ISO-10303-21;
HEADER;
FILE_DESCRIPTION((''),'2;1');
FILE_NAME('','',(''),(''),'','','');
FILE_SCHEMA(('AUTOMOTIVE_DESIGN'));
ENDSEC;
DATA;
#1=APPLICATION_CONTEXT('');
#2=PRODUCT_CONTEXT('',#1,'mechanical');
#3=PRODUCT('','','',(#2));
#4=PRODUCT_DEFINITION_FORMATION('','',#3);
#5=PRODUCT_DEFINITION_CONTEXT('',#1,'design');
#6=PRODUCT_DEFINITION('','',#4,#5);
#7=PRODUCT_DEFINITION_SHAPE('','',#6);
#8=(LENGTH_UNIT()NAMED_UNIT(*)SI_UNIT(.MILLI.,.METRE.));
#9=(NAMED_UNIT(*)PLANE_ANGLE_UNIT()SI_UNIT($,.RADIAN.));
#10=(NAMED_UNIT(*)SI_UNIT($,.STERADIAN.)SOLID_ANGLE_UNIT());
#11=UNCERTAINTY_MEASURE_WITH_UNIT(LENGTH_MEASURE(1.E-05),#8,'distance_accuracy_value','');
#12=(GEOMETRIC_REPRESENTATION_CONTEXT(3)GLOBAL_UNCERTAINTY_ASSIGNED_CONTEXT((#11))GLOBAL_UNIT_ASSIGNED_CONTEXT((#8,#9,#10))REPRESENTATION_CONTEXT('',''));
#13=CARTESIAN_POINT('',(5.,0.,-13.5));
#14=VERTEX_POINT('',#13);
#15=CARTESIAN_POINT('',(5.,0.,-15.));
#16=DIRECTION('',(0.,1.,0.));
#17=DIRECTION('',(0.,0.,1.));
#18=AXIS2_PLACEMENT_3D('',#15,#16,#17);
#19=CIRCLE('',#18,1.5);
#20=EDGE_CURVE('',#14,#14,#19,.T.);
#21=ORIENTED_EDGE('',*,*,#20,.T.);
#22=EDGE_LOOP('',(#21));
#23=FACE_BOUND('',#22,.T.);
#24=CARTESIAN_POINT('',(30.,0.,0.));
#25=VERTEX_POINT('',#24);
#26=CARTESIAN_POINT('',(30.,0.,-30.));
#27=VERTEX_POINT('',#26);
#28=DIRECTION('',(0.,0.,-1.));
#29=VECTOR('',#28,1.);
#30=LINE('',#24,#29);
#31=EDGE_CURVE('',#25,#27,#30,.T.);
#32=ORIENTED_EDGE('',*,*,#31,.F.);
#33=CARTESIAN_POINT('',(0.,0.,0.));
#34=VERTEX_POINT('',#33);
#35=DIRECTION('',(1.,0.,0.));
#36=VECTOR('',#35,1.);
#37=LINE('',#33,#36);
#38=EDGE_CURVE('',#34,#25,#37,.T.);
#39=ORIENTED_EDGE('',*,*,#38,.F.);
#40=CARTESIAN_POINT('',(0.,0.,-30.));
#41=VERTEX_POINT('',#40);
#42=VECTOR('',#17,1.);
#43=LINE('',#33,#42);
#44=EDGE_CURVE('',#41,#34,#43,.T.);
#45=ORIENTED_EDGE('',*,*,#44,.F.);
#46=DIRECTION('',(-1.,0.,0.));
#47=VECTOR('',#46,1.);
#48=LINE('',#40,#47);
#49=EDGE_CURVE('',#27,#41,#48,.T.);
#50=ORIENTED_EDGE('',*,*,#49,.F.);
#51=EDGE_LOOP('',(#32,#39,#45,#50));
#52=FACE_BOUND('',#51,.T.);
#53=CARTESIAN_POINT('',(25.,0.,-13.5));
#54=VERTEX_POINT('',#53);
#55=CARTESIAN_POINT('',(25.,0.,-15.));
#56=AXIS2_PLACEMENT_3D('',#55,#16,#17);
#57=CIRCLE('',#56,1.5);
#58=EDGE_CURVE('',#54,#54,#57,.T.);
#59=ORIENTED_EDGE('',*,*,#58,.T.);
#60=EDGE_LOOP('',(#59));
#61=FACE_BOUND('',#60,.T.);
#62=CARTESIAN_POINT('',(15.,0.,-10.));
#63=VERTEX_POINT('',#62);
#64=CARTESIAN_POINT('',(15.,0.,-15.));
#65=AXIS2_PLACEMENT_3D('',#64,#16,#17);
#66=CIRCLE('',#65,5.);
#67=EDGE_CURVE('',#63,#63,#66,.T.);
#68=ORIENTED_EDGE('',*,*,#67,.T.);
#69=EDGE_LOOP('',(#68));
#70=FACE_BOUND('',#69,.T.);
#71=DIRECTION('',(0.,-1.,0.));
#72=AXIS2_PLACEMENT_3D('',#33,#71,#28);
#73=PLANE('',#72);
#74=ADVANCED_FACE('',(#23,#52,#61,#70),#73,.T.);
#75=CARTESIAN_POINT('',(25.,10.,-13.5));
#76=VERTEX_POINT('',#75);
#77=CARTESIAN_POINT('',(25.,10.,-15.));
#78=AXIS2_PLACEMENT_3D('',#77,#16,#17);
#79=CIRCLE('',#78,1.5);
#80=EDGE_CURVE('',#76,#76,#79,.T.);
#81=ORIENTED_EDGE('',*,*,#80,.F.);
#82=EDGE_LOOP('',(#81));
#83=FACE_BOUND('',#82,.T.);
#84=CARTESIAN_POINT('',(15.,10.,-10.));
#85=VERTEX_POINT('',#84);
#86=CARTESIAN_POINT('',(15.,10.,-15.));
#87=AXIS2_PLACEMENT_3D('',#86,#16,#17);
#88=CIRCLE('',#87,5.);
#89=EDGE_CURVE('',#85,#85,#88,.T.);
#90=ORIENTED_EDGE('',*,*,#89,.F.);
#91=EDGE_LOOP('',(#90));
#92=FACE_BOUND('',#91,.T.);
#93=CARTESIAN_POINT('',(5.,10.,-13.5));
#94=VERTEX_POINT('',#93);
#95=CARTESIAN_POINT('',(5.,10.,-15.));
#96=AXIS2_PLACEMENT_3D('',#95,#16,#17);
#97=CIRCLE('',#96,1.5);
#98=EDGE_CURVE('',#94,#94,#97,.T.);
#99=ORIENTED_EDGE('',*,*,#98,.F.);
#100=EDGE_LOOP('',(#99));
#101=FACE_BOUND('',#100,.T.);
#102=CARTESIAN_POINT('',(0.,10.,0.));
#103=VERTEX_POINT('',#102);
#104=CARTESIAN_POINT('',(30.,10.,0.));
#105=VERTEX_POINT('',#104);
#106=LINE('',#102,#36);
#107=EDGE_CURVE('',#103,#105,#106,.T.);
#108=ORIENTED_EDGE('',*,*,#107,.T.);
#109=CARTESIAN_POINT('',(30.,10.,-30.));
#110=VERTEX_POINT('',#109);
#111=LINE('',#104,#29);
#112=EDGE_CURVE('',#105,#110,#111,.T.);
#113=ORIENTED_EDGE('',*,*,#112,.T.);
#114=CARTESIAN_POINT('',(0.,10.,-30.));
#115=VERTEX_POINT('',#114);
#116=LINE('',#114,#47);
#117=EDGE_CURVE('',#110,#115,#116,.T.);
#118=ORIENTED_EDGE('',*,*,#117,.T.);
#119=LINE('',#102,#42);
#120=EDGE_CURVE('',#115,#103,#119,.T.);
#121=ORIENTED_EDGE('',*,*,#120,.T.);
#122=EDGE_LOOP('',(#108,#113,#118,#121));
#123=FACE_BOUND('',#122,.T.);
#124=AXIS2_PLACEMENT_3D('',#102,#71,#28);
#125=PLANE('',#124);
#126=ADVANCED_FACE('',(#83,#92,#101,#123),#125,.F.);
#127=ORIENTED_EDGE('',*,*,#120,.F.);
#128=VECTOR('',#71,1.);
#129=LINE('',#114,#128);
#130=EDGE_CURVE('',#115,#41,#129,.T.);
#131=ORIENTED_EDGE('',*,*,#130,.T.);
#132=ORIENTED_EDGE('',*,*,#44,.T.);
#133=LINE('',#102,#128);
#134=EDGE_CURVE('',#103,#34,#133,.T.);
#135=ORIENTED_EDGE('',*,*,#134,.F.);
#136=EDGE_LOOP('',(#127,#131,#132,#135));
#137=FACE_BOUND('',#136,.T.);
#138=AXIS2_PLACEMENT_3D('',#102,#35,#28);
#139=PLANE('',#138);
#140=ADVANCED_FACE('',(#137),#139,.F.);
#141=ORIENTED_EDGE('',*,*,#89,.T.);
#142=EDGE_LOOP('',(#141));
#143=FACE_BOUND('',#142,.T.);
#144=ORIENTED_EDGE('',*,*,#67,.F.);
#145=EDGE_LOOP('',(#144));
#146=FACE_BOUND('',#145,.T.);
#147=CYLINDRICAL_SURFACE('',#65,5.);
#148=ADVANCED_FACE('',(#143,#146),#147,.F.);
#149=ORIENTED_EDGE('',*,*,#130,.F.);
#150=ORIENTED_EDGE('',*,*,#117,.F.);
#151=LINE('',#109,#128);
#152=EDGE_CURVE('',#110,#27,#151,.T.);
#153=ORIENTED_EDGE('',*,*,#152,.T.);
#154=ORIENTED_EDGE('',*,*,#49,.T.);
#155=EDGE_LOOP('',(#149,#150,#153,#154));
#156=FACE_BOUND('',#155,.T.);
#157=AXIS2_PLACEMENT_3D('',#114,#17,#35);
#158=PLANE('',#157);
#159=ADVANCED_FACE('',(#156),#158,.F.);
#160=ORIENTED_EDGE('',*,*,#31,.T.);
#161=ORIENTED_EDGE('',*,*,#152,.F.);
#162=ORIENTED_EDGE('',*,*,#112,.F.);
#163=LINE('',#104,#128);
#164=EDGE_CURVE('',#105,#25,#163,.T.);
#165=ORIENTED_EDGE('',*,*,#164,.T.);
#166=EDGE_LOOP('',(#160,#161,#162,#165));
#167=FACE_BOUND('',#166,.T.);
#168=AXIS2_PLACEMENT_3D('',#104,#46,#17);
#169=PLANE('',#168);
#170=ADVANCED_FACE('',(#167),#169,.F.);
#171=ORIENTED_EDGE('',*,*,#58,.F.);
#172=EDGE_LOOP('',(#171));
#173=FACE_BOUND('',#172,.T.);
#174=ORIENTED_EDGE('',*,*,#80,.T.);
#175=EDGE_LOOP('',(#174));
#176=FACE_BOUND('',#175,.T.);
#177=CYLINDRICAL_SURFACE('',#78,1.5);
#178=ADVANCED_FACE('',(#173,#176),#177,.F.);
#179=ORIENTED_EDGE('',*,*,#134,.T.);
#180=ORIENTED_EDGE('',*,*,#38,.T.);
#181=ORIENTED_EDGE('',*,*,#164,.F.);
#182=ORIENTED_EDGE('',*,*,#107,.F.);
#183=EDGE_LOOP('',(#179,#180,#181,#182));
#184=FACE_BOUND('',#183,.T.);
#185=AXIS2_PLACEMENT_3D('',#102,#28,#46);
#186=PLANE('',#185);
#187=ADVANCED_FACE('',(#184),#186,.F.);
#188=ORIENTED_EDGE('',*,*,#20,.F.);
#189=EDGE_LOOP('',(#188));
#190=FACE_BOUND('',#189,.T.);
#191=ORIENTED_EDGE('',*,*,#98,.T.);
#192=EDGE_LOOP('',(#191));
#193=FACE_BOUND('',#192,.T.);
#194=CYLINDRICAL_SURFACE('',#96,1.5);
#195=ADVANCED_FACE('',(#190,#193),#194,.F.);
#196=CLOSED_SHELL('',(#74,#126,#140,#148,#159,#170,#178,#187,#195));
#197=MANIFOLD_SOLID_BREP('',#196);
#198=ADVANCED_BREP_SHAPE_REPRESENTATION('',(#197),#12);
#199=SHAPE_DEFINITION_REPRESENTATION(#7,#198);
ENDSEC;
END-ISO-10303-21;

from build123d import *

# Parameters (mm, degrees)
SKETCH1_W             = 30
SKETCH1_H             = 30
BOSS_EXTRUDE1_DEPTH   = 10
SKETCH2_R             = 5
CUT_EXTRUDE1_DEPTH    = 44.588989435
F_3_0MM_DOWEL_HOLE1_D = 3


with BuildPart() as part:
    # Sketch1 → Boss-Extrude1 (new body)
    with BuildSketch(Plane(origin=(0, 0, 0), x_dir=(1, 0, 0), z_dir=(0, 1, 0))):
        with Locations((15, 15)):
            Rectangle(SKETCH1_W, SKETCH1_H)
    extrude(amount=BOSS_EXTRUDE1_DEPTH)

    # Sketch2 → Cut-Extrude1 (cut, through all)
    with BuildSketch(Plane(origin=(0, 10, 0), x_dir=(1, 0, 0), z_dir=(0, 1, 0))):
        with Locations(Location((15, 15, 0), (0, 0, 270))):
            Circle(SKETCH2_R)
    extrude(amount=-CUT_EXTRUDE1_DEPTH, mode=Mode.SUBTRACT)

    # Ø3.0mm Dowel Hole1 (through all)
    with Locations(Plane(origin=(0, 10, 0), x_dir=(1, 0, 0), z_dir=(0, 1, 0))):
        with Locations((5, 15), (25, 15)):
            Hole(F_3_0MM_DOWEL_HOLE1_D / 2)


solid = part.part
